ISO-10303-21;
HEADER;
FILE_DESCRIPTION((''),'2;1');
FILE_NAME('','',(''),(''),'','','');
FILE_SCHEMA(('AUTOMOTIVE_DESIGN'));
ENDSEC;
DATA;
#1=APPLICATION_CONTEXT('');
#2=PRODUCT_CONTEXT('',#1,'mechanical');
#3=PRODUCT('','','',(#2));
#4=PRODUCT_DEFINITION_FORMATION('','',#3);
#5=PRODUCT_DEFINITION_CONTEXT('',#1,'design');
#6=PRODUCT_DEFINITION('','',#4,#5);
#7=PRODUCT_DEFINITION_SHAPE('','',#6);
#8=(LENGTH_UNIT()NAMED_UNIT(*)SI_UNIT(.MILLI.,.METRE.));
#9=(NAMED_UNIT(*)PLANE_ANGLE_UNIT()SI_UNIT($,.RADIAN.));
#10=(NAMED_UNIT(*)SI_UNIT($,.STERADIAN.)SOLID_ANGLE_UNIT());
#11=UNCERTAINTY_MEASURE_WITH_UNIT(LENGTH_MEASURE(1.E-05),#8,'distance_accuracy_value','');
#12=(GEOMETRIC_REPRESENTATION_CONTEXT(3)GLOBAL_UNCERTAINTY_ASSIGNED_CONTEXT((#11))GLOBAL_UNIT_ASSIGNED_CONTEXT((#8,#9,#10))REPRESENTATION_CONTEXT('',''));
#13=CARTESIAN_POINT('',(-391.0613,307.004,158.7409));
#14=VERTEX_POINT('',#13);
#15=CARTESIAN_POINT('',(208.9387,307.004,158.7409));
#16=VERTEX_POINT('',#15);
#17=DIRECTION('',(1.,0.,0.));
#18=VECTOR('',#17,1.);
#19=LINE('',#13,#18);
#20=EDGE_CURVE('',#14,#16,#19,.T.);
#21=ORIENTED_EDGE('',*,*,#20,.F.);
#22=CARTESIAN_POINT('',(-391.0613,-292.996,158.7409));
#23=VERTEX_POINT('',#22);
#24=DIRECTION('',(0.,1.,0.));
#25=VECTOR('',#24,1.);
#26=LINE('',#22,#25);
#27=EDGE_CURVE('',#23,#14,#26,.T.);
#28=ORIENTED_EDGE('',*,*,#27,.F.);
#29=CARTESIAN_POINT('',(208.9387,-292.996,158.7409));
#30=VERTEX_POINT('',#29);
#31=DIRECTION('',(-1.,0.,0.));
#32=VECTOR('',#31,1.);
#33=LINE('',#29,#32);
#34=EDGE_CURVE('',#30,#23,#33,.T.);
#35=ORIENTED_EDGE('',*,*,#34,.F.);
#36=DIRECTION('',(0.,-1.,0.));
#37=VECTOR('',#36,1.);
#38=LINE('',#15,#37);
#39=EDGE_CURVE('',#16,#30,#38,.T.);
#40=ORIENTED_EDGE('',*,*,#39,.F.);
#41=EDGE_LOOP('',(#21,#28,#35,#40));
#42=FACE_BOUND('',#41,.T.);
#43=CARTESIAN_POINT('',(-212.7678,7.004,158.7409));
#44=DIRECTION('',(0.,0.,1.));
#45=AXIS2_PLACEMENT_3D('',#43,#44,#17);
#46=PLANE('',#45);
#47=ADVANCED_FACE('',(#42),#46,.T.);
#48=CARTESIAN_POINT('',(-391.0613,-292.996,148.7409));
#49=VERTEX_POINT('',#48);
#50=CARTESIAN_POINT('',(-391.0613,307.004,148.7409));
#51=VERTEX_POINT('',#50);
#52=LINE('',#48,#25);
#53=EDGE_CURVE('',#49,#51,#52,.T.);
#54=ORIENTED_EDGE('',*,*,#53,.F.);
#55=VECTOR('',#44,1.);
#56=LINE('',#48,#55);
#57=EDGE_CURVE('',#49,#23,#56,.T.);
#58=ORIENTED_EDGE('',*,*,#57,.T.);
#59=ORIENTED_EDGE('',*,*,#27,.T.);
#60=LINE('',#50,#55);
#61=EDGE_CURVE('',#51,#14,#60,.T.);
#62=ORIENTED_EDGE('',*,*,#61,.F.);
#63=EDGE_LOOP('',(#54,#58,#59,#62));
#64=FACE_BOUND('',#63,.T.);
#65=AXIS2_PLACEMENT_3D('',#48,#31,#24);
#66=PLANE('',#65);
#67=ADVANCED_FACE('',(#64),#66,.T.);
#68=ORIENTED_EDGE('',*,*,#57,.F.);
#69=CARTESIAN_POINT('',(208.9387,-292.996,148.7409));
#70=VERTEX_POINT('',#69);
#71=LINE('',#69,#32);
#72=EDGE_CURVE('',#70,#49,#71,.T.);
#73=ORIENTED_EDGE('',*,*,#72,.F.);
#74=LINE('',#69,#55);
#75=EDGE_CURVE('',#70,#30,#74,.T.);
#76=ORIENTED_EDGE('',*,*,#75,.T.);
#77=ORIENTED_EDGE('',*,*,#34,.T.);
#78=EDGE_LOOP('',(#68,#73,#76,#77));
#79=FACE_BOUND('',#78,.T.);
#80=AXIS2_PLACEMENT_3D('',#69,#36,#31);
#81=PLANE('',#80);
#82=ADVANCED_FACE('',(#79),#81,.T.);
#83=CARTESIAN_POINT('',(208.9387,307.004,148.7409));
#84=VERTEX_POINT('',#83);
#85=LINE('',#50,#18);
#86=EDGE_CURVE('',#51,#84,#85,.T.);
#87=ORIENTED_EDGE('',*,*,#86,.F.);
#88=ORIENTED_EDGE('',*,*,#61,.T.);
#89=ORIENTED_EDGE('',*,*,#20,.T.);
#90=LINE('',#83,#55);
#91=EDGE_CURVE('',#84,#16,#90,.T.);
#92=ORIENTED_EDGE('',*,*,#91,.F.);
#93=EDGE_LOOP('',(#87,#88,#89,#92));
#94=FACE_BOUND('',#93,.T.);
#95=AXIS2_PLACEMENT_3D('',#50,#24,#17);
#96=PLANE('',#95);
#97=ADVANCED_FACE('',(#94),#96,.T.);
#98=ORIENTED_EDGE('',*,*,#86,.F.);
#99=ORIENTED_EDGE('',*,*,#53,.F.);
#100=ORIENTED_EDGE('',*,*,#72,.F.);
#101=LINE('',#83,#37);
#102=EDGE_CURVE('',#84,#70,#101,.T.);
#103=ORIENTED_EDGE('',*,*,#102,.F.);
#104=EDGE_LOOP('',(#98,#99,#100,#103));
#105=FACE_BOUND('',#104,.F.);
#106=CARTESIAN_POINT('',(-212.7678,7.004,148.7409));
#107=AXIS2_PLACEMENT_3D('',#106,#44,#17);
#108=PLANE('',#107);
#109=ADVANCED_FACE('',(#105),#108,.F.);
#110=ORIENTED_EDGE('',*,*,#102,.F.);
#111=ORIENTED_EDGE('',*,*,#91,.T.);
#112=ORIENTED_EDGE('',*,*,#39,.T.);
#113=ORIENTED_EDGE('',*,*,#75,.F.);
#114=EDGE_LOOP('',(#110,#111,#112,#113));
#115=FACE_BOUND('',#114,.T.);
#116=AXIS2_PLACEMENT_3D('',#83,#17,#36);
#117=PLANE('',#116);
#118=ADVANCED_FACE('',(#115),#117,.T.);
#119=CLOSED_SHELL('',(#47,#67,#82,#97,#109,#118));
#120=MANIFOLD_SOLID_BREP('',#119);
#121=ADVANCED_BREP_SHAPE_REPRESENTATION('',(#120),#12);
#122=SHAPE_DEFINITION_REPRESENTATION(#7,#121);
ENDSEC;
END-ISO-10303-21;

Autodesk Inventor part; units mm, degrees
ref_plane "YZ Plane" through (0, 0, 0) normal (1, 0, 0) x (0, 1, 0)
ref_plane "XZ Plane" through (0, 0, 0) normal (0, 1, 0) x (-1, 0, 0)
ref_plane "Work Plane1" through (-212.7678, 7.004, 148.7409) normal (0, 0, 1) x (1, 0, 0)
sketch "Sketch1" plane through (-212.7678, 7.004, 148.7409) normal (0, 0, 1) x (1, 0, 0)
  line L0 (-178.2935, 300) -> (421.7065, 300)
  line L1 (421.7065, 300) -> (421.7065, -300)
  line L2 (421.7065, -300) -> (-178.2935, -300)
  line L3 (-178.2935, -300) -> (-178.2935, 300)
  line L4 (0, 0) -> (-339.8048, 0) construction
  arc A0 (-146.0745, -65.6505) -> (-145.6636, 64.6258) centre (-308.2935, 0) ccw construction
  point P0 (212.7678, -7.004)
  point P1 (-178.2935, 0)
  dimension "d0" = 600
  dimension "d1" = 600
  dimension "d2" = 130
extrude "Extrusion1" add sketch "Sketch1" along normal blind 10
properties part number "base1" material "Wood (Birch)"
